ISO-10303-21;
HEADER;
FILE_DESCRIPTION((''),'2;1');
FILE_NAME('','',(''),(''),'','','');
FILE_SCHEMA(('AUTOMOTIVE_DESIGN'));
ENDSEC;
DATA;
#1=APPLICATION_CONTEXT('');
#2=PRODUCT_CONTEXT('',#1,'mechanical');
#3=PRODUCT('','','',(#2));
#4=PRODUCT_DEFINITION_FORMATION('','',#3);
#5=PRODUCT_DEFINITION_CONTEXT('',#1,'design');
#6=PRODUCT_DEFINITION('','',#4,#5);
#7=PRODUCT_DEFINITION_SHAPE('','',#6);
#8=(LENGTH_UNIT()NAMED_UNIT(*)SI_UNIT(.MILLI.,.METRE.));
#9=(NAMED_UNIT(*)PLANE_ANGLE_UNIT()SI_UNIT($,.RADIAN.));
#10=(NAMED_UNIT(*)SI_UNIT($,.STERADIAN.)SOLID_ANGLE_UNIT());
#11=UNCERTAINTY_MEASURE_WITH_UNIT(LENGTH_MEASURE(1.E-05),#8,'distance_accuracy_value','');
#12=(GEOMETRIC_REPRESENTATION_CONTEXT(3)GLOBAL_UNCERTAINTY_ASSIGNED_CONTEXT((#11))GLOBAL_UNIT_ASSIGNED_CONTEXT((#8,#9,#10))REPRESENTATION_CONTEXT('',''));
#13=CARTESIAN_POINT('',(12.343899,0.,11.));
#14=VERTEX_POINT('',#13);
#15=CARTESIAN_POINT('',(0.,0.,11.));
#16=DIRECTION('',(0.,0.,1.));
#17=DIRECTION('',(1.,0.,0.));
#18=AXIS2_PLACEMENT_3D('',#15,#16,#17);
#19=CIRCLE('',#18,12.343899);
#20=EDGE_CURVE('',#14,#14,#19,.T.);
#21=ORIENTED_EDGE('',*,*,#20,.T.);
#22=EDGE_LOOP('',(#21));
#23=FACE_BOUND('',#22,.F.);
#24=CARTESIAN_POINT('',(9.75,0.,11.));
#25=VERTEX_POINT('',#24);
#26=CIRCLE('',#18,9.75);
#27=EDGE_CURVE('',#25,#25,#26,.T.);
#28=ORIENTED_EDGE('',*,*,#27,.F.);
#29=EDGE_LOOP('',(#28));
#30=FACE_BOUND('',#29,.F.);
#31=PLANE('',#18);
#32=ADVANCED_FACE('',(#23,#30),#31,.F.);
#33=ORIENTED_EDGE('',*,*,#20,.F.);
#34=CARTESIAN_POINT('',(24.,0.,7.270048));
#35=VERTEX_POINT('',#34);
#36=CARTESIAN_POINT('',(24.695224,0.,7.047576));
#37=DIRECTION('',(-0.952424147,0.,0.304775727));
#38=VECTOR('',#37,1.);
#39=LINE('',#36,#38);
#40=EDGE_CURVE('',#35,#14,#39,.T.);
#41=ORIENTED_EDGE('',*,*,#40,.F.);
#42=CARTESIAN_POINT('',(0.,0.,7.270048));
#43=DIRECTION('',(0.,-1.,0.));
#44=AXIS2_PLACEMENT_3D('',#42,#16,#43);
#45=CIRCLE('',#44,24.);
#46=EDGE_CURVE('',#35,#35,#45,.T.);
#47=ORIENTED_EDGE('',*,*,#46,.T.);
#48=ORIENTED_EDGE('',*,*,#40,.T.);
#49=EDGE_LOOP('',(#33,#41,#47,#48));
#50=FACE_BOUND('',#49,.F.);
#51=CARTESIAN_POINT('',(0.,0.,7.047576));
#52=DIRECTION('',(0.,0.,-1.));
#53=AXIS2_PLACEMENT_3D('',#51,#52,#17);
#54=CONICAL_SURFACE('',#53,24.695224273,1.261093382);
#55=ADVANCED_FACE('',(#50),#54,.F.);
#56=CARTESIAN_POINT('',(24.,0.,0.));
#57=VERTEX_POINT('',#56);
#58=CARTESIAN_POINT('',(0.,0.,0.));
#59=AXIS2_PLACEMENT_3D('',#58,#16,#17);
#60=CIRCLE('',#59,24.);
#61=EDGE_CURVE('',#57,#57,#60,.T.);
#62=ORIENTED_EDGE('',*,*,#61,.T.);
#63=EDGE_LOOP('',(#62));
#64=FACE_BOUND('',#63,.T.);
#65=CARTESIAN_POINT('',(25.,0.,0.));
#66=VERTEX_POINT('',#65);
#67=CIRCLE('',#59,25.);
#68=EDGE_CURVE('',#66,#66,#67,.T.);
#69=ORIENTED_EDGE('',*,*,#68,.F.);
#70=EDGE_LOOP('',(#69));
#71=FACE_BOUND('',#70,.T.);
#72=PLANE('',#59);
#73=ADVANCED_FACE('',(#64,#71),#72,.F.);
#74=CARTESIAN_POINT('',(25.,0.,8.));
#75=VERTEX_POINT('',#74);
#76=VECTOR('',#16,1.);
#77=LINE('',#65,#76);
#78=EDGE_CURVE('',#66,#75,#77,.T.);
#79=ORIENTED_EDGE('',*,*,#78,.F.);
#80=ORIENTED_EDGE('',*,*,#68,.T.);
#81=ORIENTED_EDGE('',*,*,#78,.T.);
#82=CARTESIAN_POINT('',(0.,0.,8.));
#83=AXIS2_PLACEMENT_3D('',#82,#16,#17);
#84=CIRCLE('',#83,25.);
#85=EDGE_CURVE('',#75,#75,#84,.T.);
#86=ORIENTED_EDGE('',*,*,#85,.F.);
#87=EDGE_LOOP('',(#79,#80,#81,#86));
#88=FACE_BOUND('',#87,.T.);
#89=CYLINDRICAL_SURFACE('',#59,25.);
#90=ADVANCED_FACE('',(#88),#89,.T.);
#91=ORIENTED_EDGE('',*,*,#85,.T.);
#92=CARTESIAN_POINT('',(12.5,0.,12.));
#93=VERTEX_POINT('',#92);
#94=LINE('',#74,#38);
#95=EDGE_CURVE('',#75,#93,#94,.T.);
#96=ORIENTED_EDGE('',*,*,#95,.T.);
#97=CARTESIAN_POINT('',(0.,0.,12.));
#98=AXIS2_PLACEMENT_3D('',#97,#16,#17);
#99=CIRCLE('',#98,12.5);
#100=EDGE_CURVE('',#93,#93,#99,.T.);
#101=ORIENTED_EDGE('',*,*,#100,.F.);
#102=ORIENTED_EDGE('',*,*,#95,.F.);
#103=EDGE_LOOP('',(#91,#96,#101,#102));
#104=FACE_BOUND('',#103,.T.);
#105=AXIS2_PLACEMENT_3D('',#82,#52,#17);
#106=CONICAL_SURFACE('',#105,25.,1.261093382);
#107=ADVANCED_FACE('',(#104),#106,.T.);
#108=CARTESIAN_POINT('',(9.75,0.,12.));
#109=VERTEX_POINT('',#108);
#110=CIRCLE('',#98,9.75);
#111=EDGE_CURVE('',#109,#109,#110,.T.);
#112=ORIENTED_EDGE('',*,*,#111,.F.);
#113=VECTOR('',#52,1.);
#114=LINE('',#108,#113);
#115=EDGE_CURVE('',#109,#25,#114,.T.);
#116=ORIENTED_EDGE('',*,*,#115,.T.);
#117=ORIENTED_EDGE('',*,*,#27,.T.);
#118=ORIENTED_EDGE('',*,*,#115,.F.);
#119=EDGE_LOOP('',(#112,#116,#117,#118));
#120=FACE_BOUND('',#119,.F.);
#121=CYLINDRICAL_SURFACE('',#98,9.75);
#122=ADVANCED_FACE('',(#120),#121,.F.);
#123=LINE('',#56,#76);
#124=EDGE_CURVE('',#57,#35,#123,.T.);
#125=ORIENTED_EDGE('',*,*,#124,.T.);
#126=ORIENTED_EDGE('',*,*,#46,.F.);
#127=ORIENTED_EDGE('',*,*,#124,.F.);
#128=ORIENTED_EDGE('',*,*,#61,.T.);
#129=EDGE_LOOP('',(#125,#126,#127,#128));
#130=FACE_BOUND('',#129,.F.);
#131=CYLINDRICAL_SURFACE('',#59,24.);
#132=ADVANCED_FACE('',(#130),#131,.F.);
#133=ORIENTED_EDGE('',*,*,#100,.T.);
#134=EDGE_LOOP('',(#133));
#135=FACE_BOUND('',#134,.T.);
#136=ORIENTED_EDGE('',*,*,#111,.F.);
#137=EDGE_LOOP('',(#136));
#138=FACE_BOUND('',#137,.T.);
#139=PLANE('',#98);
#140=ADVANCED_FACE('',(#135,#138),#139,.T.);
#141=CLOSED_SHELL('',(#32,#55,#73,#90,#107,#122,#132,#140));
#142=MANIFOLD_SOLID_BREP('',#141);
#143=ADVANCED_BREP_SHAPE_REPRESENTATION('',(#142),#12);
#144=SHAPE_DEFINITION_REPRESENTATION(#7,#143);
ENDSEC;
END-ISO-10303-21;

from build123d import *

# Parameters (mm, degrees)
F2_T     = -1
F3_R     = 9.75
F4_DEPTH = 1


with BuildPart() as f1:
    # F0 (on Front) → F1 (revolve)
    with BuildSketch(Plane.XZ):
        Polygon((0, 12), (0, 0), (25, 0), (25, 8), (12.5, 12), align=None)
    revolve(axis=Axis((0, 0, 39.176005), (0, 0, 1)))

    # F2
    f2_openings = [f1.faces().sort_by_distance(p)[0] for p in [
        (0, 0, 0),
    ]]
    offset(amount=F2_T, openings=f2_openings)

    # F3 (on face) → F4 (cut, through all)
    with BuildSketch(Plane.XY.offset(12)):
        Circle(F3_R)
    extrude(amount=-F4_DEPTH, mode=Mode.SUBTRACT)


solid = f1.part
